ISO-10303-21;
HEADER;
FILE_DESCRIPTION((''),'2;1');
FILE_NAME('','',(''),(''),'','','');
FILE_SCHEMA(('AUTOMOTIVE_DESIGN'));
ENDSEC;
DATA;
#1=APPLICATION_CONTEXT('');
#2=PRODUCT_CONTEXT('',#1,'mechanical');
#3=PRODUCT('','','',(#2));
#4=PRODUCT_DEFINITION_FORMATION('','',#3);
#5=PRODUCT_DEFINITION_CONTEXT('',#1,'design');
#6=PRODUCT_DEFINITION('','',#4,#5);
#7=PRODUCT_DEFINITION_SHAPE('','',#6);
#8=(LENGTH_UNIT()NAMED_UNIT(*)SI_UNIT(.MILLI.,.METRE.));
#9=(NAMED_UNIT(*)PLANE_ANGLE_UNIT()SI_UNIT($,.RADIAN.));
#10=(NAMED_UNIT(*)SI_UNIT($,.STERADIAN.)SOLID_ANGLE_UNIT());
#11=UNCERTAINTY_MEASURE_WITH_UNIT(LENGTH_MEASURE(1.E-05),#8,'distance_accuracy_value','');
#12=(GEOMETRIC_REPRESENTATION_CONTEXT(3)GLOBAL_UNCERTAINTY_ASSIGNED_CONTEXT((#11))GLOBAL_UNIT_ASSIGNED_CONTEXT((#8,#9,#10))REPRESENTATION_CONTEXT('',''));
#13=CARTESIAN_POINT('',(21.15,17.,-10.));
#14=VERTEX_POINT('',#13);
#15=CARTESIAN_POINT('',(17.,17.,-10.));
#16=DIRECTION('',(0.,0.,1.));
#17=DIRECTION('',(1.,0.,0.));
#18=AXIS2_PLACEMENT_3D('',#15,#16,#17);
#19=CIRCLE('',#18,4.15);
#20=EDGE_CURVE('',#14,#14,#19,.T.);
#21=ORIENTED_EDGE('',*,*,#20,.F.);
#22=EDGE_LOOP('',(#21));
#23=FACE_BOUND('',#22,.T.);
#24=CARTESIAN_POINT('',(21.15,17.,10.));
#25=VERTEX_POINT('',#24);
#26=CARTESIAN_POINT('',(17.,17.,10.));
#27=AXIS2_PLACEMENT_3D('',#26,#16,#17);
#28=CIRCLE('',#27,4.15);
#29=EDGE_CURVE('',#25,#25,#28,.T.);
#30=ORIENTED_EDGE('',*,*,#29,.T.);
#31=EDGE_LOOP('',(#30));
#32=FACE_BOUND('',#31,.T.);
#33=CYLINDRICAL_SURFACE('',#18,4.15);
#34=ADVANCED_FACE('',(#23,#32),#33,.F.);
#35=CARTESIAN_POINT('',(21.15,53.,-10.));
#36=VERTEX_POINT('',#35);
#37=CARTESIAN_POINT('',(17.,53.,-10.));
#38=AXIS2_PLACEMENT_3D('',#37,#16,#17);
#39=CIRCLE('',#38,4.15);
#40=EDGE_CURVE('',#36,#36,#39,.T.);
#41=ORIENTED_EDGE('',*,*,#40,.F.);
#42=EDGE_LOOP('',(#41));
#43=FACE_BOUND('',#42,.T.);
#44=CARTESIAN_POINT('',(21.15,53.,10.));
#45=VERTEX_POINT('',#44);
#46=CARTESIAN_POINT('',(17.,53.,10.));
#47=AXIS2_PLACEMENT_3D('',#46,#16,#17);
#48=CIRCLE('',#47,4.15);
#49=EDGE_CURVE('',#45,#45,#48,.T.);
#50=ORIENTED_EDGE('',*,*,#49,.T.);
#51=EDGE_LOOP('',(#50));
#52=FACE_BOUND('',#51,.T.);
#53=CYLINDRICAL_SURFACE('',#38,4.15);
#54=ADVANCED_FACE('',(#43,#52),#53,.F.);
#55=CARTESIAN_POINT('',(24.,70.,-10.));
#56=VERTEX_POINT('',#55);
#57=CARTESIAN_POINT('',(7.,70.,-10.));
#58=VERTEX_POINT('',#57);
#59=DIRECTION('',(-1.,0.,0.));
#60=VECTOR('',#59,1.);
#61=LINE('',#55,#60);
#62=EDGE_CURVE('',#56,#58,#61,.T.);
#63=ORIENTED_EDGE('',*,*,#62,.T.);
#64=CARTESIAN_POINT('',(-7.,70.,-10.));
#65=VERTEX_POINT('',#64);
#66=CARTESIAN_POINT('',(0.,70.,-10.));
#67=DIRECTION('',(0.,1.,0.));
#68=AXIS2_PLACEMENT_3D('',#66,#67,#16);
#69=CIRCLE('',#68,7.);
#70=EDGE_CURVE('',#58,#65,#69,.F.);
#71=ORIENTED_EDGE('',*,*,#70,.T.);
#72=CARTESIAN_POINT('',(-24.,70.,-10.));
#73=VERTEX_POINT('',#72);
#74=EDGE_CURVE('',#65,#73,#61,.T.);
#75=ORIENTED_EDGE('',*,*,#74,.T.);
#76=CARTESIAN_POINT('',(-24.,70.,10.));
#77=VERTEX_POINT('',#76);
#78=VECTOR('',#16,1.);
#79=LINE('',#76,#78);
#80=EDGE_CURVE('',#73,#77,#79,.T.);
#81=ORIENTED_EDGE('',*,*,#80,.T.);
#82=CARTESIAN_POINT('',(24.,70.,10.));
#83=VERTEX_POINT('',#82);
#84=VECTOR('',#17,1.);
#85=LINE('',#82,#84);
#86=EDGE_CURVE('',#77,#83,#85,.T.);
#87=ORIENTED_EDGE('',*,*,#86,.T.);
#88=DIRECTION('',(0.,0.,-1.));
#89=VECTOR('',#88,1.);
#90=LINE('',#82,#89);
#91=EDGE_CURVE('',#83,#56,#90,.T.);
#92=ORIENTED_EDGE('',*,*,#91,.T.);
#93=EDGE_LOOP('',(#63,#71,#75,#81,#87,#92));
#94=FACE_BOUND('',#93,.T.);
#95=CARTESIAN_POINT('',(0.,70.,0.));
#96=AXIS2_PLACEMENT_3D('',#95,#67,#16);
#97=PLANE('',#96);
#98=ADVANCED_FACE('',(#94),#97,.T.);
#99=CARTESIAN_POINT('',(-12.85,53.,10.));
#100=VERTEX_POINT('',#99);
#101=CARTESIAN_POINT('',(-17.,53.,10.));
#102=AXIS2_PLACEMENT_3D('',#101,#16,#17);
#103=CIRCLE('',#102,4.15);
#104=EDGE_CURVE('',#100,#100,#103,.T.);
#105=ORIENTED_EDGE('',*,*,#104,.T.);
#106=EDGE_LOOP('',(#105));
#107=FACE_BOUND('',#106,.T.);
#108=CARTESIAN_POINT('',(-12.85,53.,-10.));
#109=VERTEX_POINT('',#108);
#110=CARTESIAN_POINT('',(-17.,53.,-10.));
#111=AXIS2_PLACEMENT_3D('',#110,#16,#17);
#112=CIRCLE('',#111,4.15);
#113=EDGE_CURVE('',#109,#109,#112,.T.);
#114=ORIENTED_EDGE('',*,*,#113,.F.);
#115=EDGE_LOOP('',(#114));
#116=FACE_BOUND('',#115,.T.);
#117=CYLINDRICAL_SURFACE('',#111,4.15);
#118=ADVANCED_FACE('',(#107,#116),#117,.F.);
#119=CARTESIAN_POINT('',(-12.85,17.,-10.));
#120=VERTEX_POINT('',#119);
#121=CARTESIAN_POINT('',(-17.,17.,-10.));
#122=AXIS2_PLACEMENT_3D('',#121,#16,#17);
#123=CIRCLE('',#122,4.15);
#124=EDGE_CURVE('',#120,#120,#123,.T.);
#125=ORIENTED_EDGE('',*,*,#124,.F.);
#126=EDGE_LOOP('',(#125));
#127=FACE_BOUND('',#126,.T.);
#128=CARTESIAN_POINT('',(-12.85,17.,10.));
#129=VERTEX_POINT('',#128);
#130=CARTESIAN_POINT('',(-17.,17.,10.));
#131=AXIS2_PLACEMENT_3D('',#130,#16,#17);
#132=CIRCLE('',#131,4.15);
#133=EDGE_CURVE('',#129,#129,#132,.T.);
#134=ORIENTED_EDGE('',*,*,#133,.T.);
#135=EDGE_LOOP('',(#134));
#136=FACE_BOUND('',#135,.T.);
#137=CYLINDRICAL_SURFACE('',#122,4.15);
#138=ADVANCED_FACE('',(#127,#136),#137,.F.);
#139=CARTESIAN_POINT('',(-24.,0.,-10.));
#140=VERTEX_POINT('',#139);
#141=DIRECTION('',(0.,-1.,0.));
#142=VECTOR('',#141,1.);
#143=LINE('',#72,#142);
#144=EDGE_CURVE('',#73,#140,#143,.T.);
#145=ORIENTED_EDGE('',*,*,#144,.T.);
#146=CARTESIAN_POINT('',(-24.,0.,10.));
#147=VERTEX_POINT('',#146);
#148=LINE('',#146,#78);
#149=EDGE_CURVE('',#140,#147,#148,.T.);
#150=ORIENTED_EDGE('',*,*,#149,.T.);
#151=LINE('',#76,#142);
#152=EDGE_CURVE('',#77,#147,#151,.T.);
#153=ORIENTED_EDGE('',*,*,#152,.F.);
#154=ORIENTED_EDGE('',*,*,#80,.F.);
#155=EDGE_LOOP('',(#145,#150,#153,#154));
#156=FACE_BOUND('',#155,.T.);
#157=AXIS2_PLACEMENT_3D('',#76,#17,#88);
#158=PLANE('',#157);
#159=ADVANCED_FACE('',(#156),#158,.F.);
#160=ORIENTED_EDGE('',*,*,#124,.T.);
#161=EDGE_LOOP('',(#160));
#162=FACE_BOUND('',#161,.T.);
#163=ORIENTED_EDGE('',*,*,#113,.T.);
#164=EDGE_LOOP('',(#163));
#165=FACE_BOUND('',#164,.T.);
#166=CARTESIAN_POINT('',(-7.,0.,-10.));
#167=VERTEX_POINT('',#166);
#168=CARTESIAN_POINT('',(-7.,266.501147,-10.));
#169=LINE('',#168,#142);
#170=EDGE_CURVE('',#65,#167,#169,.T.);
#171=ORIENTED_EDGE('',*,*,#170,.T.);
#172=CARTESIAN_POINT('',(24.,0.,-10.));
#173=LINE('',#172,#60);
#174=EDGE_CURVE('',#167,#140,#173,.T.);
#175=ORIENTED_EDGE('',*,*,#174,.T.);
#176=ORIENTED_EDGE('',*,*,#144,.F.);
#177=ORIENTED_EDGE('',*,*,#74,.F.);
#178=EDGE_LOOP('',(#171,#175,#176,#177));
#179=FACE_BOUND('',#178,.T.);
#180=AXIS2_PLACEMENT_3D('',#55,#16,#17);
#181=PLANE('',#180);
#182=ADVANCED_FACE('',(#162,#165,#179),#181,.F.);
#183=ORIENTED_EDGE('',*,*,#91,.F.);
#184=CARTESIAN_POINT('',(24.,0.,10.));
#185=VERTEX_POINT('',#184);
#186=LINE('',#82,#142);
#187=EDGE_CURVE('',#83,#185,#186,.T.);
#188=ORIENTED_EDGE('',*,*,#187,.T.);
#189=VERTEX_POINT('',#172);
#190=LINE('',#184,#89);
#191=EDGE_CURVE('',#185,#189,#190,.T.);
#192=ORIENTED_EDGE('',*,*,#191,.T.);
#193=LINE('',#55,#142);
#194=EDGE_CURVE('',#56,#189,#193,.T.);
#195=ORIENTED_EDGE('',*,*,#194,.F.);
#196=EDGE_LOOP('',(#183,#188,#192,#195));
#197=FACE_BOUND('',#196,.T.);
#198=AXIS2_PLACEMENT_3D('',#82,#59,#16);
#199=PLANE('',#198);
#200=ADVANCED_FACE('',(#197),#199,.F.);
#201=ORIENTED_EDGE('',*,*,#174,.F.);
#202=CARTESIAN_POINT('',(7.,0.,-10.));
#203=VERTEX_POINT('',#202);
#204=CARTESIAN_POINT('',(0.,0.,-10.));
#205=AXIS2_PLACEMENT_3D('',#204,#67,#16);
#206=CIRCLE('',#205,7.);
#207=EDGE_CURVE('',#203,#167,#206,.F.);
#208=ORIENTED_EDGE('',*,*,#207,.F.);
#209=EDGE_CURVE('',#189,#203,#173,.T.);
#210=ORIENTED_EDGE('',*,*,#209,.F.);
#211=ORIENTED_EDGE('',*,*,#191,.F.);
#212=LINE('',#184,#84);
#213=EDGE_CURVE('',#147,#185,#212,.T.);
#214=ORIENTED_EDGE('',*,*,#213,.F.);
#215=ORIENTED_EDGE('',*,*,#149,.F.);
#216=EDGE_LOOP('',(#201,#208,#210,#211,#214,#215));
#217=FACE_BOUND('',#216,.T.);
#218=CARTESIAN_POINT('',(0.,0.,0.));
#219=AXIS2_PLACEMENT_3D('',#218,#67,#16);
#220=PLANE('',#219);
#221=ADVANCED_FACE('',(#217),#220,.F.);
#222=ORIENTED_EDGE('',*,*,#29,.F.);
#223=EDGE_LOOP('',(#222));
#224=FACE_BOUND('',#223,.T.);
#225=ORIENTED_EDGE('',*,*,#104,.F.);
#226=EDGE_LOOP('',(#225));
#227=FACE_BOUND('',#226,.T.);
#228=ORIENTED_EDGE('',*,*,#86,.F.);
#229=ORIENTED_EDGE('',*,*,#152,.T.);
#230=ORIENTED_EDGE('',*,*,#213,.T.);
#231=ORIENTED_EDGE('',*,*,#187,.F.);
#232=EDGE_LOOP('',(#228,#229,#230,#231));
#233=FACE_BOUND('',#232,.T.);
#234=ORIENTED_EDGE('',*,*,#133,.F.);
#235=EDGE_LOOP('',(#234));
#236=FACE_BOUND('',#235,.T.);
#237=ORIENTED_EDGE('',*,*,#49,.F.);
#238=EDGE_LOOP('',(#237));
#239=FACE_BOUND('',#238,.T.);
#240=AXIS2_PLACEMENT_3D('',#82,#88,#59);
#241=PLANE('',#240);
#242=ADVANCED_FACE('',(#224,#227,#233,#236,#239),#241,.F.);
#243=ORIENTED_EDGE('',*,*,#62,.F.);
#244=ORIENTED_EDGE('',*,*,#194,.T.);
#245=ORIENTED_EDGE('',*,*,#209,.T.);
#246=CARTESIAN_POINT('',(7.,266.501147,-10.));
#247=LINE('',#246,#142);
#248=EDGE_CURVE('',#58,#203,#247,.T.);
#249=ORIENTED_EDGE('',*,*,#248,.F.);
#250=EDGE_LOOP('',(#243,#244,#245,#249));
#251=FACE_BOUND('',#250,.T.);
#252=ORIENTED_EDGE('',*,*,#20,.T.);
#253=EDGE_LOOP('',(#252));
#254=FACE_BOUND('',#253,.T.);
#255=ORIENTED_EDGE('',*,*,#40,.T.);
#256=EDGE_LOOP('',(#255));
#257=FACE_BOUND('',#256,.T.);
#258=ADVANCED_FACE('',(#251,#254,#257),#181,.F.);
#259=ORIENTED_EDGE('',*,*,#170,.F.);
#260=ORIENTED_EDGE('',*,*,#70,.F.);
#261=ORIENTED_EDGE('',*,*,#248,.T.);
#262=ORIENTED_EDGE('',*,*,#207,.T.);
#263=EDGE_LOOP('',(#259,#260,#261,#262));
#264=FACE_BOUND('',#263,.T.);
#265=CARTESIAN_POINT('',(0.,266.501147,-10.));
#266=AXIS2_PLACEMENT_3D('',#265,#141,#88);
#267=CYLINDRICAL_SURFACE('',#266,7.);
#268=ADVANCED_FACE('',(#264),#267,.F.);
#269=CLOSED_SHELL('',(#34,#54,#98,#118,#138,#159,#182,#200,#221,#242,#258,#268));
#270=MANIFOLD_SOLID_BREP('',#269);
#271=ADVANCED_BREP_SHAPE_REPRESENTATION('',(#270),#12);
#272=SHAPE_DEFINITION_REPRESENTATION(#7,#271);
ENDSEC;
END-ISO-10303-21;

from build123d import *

# Parameters (mm, degrees)
SKETCH1_W               = 48
SKETCH1_H               = 20
BOSS_EXTRUDE1_DEPTH     = 70
SKETCH3_R               = 4.15
CUT_EXTRUDE2_DEPTH      = 21
CUT_EXTRUDE3_DEPTH      = 1
CUT_EXTRUDE3_DEPTH_BACK = 71


with BuildPart() as part:
    # Sketch1 → Boss-Extrude1 (new body)
    with BuildSketch(Plane(origin=(0, 0, 0), x_dir=(1, 0, 0), z_dir=(0, 1, 0))):
        Rectangle(SKETCH1_W, SKETCH1_H)
    extrude(amount=BOSS_EXTRUDE1_DEPTH)

    # Sketch3 → Cut-Extrude2 (cut, through all)
    with BuildSketch(Plane.XY.offset(10)):
        with Locations((17, 53)):
            Circle(SKETCH3_R)
        with Locations((-17, 53)):
            Circle(SKETCH3_R)
        with Locations((-17, 17)):
            Circle(SKETCH3_R)
        with Locations((17, 17)):
            Circle(SKETCH3_R)
    extrude(amount=-CUT_EXTRUDE2_DEPTH, mode=Mode.SUBTRACT)

    # Sketch4 → Cut-Extrude3 (cut, two sides)
    with BuildSketch(Plane(origin=(0, 70, 0), x_dir=(1, 0, 0), z_dir=(0, 1, 0))) as cut_extrude3_sk:
        with BuildLine():
            Line((-7, 93.783466983), (-7, 10))
            ThreePointArc((-7, 10), (0, 3), (7, 10))
            Line((7, 10), (7, 93.783466983))
            Line((7, 93.783466983), (7, 261.350400948))
            Line((7, 261.350400948), (-7, 261.350400948))
            Line((-7, 261.350400948), (-7, 93.783466983))
        make_face()
    extrude(amount=CUT_EXTRUDE3_DEPTH, mode=Mode.SUBTRACT)
    extrude(cut_extrude3_sk.sketch, amount=-CUT_EXTRUDE3_DEPTH_BACK, mode=Mode.SUBTRACT)


solid = part.part
